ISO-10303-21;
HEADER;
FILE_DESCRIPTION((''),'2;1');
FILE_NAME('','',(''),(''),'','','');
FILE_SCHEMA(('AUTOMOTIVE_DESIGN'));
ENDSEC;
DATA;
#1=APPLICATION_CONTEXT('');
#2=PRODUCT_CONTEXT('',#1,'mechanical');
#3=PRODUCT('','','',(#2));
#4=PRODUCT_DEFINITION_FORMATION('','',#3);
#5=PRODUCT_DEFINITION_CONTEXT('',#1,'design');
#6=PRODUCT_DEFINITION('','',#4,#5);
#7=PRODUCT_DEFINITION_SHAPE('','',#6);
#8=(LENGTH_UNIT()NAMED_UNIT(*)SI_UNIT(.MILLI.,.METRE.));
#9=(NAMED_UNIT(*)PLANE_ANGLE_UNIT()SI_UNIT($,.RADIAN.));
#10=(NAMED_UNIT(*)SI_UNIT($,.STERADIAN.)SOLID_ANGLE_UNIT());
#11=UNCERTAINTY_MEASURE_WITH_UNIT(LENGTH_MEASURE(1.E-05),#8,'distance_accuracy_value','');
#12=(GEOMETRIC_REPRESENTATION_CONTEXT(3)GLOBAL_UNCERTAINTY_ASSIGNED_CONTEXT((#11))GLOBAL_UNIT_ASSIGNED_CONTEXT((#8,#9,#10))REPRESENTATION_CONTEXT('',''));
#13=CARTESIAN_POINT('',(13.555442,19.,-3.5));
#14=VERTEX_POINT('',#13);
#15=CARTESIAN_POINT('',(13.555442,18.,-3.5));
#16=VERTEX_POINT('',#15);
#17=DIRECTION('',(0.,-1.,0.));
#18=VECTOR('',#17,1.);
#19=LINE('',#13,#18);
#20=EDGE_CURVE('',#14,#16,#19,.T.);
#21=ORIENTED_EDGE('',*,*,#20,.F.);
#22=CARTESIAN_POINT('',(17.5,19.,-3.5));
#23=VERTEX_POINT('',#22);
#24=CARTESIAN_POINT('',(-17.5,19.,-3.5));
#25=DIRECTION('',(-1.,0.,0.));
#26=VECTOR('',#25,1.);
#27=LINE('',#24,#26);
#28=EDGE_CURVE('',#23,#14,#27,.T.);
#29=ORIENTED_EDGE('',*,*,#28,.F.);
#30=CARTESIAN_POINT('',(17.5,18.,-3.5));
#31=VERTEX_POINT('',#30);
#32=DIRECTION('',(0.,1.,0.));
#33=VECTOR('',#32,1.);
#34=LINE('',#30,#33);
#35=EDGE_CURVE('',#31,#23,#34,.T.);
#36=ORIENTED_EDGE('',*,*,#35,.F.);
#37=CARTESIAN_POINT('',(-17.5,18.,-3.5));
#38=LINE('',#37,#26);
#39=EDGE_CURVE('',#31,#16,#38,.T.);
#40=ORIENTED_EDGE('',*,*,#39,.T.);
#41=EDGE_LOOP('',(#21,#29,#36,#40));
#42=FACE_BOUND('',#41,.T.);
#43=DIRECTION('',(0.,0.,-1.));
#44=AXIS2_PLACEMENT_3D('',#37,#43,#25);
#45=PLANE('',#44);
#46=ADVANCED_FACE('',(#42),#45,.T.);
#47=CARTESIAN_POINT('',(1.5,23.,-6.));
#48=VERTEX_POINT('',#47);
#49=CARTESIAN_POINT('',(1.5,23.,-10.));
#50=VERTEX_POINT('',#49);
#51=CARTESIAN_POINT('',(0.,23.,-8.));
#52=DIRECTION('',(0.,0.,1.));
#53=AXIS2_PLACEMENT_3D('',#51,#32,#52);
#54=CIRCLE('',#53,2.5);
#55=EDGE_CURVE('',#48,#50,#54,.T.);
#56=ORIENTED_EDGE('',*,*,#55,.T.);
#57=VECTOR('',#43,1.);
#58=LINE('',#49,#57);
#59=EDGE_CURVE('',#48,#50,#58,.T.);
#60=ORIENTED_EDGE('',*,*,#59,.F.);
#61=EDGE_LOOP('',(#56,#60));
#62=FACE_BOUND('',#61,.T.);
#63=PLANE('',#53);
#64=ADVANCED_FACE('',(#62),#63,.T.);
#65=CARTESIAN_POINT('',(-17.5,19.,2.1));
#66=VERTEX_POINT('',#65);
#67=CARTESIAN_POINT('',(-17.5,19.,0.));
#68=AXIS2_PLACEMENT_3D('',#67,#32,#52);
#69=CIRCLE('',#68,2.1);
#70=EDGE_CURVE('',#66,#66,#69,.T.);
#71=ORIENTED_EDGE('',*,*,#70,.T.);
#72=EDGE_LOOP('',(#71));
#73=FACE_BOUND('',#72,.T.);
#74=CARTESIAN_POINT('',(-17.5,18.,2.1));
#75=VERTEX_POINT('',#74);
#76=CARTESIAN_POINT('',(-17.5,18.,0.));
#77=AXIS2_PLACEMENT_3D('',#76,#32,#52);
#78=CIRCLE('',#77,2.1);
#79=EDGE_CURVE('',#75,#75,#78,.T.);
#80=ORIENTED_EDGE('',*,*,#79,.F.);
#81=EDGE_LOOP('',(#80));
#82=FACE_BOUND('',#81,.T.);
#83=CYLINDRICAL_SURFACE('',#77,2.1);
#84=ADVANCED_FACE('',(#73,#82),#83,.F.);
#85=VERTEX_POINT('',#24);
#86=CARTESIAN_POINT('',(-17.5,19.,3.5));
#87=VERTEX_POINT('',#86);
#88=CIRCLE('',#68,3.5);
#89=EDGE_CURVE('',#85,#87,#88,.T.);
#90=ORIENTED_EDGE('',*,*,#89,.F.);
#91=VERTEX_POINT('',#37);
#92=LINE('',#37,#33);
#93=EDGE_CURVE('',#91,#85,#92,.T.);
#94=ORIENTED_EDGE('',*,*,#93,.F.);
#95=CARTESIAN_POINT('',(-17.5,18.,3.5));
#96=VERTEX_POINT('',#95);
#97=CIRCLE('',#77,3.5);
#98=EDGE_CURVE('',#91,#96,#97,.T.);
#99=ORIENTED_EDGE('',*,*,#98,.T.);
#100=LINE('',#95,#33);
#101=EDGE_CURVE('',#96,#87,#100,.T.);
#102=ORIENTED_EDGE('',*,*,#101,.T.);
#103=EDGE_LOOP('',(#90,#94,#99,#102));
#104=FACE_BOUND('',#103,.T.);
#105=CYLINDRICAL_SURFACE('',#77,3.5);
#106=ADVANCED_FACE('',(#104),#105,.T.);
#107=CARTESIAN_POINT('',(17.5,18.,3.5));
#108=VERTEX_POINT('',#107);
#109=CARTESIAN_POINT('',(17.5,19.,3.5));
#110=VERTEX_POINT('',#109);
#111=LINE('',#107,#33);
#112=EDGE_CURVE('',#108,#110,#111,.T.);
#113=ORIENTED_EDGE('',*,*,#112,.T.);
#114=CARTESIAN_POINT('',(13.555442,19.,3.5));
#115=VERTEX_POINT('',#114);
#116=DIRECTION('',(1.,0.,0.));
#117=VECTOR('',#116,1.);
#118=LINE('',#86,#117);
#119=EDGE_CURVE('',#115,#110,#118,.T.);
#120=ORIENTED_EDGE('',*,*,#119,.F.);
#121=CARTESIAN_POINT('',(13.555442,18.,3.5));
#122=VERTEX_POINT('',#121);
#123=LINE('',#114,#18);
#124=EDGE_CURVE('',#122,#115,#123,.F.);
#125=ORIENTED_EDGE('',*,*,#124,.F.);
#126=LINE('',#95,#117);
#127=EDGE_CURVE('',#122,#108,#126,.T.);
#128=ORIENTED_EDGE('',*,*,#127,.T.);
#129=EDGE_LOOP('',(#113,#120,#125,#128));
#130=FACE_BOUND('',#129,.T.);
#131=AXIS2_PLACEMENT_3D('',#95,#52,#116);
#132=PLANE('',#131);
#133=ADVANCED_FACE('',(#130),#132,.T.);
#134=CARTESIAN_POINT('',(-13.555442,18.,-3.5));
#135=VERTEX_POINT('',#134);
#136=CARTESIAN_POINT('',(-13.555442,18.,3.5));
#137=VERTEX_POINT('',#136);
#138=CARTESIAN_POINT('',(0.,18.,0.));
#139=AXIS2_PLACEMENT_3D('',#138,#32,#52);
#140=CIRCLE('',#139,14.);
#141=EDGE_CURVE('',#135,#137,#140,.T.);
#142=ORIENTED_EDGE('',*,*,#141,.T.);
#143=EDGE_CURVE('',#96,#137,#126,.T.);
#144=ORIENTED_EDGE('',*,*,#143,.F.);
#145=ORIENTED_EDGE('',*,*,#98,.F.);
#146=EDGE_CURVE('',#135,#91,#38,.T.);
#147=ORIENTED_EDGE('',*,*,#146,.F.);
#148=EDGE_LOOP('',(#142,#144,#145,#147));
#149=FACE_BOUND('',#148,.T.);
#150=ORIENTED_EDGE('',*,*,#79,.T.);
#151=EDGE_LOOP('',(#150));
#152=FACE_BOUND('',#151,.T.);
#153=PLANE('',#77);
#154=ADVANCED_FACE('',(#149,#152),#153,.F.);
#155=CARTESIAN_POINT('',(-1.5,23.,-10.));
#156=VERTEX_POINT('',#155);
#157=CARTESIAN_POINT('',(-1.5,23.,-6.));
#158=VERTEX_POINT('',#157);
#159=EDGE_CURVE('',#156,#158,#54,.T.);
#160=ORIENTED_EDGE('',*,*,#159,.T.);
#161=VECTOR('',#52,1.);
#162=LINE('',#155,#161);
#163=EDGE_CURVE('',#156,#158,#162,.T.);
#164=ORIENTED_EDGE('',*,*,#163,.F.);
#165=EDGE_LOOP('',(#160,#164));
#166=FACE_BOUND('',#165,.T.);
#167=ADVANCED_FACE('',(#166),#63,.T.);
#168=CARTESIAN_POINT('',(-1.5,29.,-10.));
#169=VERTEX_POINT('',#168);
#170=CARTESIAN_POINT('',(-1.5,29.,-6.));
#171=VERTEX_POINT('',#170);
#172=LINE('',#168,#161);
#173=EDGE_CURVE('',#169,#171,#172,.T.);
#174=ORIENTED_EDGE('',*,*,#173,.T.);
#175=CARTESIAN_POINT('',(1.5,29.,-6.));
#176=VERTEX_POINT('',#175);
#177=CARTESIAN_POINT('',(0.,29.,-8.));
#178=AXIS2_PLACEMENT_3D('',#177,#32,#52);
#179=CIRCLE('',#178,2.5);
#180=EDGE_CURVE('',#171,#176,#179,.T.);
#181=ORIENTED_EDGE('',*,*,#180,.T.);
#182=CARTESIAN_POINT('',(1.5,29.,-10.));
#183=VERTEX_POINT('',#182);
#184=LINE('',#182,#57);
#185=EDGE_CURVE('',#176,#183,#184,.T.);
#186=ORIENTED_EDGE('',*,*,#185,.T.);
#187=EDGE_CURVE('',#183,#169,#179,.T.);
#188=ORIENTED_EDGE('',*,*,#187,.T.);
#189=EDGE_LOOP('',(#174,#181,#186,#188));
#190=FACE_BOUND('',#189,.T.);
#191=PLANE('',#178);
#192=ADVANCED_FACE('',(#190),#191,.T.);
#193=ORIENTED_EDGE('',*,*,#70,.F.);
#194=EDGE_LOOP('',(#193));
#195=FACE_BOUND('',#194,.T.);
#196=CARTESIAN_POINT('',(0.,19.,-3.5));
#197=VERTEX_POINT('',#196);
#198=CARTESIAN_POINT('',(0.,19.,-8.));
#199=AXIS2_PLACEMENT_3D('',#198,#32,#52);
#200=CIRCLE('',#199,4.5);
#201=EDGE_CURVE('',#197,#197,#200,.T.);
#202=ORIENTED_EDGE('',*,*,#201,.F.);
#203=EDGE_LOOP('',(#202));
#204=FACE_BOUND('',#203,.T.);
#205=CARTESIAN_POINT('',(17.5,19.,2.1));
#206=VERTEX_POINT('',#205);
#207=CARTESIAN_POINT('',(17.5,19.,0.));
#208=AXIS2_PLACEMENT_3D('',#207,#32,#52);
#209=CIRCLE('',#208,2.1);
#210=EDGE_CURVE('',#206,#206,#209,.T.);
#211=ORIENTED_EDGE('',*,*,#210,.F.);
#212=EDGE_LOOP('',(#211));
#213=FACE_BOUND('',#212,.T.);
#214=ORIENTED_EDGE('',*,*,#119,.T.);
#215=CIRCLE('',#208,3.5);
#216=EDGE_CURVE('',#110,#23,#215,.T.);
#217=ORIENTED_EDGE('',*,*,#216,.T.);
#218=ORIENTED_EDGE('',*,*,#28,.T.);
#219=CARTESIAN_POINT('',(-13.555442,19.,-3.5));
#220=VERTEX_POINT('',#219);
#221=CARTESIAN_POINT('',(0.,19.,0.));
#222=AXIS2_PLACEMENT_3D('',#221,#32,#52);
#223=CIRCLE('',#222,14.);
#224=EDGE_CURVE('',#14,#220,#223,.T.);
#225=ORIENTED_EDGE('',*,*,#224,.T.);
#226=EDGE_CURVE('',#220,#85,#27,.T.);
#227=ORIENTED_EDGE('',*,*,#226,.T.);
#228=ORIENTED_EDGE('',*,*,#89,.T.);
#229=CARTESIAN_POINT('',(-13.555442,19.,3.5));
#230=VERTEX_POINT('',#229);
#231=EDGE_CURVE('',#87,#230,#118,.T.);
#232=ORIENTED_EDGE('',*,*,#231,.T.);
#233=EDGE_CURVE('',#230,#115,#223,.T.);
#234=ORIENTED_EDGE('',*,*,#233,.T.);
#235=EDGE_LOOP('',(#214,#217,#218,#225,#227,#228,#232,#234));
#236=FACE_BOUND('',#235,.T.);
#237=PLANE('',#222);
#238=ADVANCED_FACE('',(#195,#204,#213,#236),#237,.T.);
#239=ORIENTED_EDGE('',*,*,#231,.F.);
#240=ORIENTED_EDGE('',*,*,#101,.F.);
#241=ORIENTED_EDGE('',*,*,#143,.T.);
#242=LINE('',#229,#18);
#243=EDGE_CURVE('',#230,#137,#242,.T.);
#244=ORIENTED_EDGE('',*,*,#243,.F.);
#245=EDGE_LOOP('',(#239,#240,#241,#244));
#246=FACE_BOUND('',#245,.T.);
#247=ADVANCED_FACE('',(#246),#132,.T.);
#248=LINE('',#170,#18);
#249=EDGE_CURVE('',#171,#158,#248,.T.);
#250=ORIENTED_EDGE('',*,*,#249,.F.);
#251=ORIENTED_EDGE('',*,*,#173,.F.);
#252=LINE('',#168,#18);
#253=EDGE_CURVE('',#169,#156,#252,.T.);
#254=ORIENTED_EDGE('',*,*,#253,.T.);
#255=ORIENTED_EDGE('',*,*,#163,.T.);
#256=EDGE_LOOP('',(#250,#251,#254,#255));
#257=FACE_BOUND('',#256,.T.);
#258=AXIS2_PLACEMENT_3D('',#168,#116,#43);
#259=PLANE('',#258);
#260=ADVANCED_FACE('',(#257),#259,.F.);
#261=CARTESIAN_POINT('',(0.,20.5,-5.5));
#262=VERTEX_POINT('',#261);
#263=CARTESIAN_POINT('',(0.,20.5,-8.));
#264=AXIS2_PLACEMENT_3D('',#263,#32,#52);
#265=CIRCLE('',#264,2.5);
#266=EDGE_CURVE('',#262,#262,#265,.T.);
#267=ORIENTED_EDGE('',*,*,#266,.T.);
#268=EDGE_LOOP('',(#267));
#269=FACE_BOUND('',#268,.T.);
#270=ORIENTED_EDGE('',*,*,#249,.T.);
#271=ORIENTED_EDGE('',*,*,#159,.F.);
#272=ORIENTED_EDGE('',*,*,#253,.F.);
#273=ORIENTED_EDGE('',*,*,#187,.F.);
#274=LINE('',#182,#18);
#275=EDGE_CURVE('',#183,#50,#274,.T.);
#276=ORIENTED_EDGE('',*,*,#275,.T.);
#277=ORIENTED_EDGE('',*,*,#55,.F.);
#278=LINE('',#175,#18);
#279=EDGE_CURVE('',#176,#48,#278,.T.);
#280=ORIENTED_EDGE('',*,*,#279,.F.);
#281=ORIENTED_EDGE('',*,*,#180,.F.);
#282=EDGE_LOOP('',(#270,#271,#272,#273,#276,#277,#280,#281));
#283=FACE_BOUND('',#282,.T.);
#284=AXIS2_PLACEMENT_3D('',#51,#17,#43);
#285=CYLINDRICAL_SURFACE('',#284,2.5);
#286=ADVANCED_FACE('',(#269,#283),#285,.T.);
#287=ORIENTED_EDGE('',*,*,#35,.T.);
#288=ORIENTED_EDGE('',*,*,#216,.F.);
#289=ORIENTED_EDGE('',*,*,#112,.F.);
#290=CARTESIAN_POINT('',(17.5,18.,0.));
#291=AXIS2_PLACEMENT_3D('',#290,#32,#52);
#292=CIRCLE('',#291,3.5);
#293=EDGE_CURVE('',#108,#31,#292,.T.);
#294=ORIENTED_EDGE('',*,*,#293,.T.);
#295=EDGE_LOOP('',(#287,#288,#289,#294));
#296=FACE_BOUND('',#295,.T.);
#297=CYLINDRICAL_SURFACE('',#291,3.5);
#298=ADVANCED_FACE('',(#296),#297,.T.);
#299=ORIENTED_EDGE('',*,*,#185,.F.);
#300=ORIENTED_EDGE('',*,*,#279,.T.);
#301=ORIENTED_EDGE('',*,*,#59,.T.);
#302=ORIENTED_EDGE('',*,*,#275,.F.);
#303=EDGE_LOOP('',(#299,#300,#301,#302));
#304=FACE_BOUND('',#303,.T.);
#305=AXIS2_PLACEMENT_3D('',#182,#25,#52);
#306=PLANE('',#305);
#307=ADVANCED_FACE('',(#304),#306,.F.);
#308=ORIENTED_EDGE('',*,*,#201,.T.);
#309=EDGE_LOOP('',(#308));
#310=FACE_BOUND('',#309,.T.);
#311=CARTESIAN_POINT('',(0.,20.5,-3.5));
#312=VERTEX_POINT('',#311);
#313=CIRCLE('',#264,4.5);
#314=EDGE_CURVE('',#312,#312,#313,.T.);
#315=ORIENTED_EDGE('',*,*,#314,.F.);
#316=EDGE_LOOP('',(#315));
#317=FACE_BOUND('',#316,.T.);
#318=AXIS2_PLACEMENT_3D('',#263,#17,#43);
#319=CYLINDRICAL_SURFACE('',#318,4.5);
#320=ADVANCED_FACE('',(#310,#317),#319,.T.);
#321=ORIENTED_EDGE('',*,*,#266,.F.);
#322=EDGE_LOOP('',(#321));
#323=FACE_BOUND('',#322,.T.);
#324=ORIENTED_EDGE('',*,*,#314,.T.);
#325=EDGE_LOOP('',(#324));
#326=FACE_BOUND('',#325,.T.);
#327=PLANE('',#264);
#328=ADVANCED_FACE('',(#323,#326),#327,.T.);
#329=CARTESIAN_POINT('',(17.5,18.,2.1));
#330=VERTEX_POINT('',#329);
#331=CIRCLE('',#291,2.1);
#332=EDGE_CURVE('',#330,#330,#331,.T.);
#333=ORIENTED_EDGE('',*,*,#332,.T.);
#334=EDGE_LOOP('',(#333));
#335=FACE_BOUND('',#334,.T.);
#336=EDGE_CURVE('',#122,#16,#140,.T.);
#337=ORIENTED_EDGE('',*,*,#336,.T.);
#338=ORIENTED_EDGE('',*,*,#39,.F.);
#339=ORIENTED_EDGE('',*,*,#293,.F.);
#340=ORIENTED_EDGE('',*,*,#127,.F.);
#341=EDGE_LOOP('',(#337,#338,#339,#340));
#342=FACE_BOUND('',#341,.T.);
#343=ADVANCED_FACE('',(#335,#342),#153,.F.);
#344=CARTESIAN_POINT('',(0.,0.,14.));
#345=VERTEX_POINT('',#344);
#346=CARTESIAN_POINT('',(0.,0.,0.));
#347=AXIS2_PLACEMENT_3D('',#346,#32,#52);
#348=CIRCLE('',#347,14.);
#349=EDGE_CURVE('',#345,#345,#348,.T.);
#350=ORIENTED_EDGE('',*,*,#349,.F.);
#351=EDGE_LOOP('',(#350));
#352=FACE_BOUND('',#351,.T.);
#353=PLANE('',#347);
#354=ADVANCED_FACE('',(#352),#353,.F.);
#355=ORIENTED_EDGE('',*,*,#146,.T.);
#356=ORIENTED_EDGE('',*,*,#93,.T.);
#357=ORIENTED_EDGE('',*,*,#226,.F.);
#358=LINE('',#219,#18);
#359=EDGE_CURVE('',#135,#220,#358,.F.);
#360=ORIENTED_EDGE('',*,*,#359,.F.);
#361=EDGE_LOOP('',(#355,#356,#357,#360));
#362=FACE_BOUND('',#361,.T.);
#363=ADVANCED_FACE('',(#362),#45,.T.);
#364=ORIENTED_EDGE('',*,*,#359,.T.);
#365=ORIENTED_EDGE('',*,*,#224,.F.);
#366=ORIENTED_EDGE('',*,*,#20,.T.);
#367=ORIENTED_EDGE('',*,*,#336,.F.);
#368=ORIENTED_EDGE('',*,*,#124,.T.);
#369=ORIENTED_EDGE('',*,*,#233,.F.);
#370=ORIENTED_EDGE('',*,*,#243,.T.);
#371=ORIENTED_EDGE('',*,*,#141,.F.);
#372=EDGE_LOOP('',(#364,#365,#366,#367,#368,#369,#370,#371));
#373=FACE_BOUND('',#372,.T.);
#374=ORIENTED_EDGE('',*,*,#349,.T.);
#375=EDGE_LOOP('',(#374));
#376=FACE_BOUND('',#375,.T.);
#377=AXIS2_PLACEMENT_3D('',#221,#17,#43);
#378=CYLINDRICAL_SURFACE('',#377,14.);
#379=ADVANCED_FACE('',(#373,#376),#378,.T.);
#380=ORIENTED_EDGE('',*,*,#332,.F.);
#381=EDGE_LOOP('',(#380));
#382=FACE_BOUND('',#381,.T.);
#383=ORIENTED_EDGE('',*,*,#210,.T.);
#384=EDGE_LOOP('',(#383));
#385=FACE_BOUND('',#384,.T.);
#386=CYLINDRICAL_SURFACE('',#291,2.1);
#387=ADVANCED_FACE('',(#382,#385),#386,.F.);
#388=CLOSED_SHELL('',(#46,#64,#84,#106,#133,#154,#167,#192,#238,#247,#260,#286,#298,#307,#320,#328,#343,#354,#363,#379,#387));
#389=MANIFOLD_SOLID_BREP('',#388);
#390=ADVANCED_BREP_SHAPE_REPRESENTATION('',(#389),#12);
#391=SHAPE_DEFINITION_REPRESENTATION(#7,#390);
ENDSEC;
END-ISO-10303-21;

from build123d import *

# Parameters (mm, degrees)
SKETCH_1_R      = 14
EXTRUDE_1_DEPTH = 19
SKETCH_2_R      = 2.1
EXTRUDE_2_DEPTH = 1
SKETCH_3_R      = 4.5
EXTRUDE_3_DEPTH = 1.5
SKETCH_4_R      = 2.5
EXTRUDE_4_DEPTH = 2.5
EXTRUDE_5_DEPTH = 6


with BuildPart() as part:
    # 草图1 → 凸台-拉伸1 (new body)
    with BuildSketch(Plane(origin=(0, 0, 0), x_dir=(1, 0, 0), z_dir=(0, 1, 0))):
        with Locations(Location((0, 0, 0), (0, 0, 270))):
            Circle(SKETCH_1_R)
    extrude(amount=EXTRUDE_1_DEPTH)

    # 草图2 → 凸台-拉伸2 (add)
    with BuildSketch(Plane(origin=(0, 19, 0), x_dir=(1, 0, 0), z_dir=(0, 1, 0))):
        with BuildLine():
            Line((-17.5, 3.5), (17.5, 3.5))
            ThreePointArc((17.5, 3.5), (21, 0), (17.5, -3.5))
            Line((17.5, -3.5), (-17.5, -3.5))
            ThreePointArc((-17.5, -3.5), (-21, 0), (-17.5, 3.5))
        make_face()
        with Locations(Location((-17.5, 0, 0), (0, 0, 270))):
            Circle(SKETCH_2_R, mode=Mode.SUBTRACT)
        with Locations(Location((17.5, 0, 0), (0, 0, 270))):
            Circle(SKETCH_2_R, mode=Mode.SUBTRACT)
    extrude(amount=-EXTRUDE_2_DEPTH)

    # 草图3 → 凸台-拉伸3 (add)
    with BuildSketch(Plane(origin=(0, 19, 0), x_dir=(1, 0, 0), z_dir=(0, 1, 0))):
        with Locations(Location((0, 8, 0), (0, 0, 270))):
            Circle(SKETCH_3_R)
    extrude(amount=EXTRUDE_3_DEPTH)

    # 草图4 → 凸台-拉伸4 (add)
    with BuildSketch(Plane(origin=(0, 20.5, 0), x_dir=(1, 0, 0), z_dir=(0, 1, 0))):
        with Locations(Location((0, 8, 0), (0, 0, 270))):
            Circle(SKETCH_4_R)
    extrude(amount=EXTRUDE_4_DEPTH)

    # 草图5 → 凸台-拉伸5 (add)
    with BuildSketch(Plane(origin=(0, 23, 0), x_dir=(1, 0, 0), z_dir=(0, 1, 0))):
        with BuildLine():
            Line((-1.5, 10), (-1.5, 6))
            ThreePointArc((-1.5, 6), (0, 5.5), (1.5, 6))
            Line((1.5, 6), (1.5, 10))
            ThreePointArc((1.5, 10), (0, 10.5), (-1.5, 10))
        make_face()
    extrude(amount=EXTRUDE_5_DEPTH)


solid = part.part
